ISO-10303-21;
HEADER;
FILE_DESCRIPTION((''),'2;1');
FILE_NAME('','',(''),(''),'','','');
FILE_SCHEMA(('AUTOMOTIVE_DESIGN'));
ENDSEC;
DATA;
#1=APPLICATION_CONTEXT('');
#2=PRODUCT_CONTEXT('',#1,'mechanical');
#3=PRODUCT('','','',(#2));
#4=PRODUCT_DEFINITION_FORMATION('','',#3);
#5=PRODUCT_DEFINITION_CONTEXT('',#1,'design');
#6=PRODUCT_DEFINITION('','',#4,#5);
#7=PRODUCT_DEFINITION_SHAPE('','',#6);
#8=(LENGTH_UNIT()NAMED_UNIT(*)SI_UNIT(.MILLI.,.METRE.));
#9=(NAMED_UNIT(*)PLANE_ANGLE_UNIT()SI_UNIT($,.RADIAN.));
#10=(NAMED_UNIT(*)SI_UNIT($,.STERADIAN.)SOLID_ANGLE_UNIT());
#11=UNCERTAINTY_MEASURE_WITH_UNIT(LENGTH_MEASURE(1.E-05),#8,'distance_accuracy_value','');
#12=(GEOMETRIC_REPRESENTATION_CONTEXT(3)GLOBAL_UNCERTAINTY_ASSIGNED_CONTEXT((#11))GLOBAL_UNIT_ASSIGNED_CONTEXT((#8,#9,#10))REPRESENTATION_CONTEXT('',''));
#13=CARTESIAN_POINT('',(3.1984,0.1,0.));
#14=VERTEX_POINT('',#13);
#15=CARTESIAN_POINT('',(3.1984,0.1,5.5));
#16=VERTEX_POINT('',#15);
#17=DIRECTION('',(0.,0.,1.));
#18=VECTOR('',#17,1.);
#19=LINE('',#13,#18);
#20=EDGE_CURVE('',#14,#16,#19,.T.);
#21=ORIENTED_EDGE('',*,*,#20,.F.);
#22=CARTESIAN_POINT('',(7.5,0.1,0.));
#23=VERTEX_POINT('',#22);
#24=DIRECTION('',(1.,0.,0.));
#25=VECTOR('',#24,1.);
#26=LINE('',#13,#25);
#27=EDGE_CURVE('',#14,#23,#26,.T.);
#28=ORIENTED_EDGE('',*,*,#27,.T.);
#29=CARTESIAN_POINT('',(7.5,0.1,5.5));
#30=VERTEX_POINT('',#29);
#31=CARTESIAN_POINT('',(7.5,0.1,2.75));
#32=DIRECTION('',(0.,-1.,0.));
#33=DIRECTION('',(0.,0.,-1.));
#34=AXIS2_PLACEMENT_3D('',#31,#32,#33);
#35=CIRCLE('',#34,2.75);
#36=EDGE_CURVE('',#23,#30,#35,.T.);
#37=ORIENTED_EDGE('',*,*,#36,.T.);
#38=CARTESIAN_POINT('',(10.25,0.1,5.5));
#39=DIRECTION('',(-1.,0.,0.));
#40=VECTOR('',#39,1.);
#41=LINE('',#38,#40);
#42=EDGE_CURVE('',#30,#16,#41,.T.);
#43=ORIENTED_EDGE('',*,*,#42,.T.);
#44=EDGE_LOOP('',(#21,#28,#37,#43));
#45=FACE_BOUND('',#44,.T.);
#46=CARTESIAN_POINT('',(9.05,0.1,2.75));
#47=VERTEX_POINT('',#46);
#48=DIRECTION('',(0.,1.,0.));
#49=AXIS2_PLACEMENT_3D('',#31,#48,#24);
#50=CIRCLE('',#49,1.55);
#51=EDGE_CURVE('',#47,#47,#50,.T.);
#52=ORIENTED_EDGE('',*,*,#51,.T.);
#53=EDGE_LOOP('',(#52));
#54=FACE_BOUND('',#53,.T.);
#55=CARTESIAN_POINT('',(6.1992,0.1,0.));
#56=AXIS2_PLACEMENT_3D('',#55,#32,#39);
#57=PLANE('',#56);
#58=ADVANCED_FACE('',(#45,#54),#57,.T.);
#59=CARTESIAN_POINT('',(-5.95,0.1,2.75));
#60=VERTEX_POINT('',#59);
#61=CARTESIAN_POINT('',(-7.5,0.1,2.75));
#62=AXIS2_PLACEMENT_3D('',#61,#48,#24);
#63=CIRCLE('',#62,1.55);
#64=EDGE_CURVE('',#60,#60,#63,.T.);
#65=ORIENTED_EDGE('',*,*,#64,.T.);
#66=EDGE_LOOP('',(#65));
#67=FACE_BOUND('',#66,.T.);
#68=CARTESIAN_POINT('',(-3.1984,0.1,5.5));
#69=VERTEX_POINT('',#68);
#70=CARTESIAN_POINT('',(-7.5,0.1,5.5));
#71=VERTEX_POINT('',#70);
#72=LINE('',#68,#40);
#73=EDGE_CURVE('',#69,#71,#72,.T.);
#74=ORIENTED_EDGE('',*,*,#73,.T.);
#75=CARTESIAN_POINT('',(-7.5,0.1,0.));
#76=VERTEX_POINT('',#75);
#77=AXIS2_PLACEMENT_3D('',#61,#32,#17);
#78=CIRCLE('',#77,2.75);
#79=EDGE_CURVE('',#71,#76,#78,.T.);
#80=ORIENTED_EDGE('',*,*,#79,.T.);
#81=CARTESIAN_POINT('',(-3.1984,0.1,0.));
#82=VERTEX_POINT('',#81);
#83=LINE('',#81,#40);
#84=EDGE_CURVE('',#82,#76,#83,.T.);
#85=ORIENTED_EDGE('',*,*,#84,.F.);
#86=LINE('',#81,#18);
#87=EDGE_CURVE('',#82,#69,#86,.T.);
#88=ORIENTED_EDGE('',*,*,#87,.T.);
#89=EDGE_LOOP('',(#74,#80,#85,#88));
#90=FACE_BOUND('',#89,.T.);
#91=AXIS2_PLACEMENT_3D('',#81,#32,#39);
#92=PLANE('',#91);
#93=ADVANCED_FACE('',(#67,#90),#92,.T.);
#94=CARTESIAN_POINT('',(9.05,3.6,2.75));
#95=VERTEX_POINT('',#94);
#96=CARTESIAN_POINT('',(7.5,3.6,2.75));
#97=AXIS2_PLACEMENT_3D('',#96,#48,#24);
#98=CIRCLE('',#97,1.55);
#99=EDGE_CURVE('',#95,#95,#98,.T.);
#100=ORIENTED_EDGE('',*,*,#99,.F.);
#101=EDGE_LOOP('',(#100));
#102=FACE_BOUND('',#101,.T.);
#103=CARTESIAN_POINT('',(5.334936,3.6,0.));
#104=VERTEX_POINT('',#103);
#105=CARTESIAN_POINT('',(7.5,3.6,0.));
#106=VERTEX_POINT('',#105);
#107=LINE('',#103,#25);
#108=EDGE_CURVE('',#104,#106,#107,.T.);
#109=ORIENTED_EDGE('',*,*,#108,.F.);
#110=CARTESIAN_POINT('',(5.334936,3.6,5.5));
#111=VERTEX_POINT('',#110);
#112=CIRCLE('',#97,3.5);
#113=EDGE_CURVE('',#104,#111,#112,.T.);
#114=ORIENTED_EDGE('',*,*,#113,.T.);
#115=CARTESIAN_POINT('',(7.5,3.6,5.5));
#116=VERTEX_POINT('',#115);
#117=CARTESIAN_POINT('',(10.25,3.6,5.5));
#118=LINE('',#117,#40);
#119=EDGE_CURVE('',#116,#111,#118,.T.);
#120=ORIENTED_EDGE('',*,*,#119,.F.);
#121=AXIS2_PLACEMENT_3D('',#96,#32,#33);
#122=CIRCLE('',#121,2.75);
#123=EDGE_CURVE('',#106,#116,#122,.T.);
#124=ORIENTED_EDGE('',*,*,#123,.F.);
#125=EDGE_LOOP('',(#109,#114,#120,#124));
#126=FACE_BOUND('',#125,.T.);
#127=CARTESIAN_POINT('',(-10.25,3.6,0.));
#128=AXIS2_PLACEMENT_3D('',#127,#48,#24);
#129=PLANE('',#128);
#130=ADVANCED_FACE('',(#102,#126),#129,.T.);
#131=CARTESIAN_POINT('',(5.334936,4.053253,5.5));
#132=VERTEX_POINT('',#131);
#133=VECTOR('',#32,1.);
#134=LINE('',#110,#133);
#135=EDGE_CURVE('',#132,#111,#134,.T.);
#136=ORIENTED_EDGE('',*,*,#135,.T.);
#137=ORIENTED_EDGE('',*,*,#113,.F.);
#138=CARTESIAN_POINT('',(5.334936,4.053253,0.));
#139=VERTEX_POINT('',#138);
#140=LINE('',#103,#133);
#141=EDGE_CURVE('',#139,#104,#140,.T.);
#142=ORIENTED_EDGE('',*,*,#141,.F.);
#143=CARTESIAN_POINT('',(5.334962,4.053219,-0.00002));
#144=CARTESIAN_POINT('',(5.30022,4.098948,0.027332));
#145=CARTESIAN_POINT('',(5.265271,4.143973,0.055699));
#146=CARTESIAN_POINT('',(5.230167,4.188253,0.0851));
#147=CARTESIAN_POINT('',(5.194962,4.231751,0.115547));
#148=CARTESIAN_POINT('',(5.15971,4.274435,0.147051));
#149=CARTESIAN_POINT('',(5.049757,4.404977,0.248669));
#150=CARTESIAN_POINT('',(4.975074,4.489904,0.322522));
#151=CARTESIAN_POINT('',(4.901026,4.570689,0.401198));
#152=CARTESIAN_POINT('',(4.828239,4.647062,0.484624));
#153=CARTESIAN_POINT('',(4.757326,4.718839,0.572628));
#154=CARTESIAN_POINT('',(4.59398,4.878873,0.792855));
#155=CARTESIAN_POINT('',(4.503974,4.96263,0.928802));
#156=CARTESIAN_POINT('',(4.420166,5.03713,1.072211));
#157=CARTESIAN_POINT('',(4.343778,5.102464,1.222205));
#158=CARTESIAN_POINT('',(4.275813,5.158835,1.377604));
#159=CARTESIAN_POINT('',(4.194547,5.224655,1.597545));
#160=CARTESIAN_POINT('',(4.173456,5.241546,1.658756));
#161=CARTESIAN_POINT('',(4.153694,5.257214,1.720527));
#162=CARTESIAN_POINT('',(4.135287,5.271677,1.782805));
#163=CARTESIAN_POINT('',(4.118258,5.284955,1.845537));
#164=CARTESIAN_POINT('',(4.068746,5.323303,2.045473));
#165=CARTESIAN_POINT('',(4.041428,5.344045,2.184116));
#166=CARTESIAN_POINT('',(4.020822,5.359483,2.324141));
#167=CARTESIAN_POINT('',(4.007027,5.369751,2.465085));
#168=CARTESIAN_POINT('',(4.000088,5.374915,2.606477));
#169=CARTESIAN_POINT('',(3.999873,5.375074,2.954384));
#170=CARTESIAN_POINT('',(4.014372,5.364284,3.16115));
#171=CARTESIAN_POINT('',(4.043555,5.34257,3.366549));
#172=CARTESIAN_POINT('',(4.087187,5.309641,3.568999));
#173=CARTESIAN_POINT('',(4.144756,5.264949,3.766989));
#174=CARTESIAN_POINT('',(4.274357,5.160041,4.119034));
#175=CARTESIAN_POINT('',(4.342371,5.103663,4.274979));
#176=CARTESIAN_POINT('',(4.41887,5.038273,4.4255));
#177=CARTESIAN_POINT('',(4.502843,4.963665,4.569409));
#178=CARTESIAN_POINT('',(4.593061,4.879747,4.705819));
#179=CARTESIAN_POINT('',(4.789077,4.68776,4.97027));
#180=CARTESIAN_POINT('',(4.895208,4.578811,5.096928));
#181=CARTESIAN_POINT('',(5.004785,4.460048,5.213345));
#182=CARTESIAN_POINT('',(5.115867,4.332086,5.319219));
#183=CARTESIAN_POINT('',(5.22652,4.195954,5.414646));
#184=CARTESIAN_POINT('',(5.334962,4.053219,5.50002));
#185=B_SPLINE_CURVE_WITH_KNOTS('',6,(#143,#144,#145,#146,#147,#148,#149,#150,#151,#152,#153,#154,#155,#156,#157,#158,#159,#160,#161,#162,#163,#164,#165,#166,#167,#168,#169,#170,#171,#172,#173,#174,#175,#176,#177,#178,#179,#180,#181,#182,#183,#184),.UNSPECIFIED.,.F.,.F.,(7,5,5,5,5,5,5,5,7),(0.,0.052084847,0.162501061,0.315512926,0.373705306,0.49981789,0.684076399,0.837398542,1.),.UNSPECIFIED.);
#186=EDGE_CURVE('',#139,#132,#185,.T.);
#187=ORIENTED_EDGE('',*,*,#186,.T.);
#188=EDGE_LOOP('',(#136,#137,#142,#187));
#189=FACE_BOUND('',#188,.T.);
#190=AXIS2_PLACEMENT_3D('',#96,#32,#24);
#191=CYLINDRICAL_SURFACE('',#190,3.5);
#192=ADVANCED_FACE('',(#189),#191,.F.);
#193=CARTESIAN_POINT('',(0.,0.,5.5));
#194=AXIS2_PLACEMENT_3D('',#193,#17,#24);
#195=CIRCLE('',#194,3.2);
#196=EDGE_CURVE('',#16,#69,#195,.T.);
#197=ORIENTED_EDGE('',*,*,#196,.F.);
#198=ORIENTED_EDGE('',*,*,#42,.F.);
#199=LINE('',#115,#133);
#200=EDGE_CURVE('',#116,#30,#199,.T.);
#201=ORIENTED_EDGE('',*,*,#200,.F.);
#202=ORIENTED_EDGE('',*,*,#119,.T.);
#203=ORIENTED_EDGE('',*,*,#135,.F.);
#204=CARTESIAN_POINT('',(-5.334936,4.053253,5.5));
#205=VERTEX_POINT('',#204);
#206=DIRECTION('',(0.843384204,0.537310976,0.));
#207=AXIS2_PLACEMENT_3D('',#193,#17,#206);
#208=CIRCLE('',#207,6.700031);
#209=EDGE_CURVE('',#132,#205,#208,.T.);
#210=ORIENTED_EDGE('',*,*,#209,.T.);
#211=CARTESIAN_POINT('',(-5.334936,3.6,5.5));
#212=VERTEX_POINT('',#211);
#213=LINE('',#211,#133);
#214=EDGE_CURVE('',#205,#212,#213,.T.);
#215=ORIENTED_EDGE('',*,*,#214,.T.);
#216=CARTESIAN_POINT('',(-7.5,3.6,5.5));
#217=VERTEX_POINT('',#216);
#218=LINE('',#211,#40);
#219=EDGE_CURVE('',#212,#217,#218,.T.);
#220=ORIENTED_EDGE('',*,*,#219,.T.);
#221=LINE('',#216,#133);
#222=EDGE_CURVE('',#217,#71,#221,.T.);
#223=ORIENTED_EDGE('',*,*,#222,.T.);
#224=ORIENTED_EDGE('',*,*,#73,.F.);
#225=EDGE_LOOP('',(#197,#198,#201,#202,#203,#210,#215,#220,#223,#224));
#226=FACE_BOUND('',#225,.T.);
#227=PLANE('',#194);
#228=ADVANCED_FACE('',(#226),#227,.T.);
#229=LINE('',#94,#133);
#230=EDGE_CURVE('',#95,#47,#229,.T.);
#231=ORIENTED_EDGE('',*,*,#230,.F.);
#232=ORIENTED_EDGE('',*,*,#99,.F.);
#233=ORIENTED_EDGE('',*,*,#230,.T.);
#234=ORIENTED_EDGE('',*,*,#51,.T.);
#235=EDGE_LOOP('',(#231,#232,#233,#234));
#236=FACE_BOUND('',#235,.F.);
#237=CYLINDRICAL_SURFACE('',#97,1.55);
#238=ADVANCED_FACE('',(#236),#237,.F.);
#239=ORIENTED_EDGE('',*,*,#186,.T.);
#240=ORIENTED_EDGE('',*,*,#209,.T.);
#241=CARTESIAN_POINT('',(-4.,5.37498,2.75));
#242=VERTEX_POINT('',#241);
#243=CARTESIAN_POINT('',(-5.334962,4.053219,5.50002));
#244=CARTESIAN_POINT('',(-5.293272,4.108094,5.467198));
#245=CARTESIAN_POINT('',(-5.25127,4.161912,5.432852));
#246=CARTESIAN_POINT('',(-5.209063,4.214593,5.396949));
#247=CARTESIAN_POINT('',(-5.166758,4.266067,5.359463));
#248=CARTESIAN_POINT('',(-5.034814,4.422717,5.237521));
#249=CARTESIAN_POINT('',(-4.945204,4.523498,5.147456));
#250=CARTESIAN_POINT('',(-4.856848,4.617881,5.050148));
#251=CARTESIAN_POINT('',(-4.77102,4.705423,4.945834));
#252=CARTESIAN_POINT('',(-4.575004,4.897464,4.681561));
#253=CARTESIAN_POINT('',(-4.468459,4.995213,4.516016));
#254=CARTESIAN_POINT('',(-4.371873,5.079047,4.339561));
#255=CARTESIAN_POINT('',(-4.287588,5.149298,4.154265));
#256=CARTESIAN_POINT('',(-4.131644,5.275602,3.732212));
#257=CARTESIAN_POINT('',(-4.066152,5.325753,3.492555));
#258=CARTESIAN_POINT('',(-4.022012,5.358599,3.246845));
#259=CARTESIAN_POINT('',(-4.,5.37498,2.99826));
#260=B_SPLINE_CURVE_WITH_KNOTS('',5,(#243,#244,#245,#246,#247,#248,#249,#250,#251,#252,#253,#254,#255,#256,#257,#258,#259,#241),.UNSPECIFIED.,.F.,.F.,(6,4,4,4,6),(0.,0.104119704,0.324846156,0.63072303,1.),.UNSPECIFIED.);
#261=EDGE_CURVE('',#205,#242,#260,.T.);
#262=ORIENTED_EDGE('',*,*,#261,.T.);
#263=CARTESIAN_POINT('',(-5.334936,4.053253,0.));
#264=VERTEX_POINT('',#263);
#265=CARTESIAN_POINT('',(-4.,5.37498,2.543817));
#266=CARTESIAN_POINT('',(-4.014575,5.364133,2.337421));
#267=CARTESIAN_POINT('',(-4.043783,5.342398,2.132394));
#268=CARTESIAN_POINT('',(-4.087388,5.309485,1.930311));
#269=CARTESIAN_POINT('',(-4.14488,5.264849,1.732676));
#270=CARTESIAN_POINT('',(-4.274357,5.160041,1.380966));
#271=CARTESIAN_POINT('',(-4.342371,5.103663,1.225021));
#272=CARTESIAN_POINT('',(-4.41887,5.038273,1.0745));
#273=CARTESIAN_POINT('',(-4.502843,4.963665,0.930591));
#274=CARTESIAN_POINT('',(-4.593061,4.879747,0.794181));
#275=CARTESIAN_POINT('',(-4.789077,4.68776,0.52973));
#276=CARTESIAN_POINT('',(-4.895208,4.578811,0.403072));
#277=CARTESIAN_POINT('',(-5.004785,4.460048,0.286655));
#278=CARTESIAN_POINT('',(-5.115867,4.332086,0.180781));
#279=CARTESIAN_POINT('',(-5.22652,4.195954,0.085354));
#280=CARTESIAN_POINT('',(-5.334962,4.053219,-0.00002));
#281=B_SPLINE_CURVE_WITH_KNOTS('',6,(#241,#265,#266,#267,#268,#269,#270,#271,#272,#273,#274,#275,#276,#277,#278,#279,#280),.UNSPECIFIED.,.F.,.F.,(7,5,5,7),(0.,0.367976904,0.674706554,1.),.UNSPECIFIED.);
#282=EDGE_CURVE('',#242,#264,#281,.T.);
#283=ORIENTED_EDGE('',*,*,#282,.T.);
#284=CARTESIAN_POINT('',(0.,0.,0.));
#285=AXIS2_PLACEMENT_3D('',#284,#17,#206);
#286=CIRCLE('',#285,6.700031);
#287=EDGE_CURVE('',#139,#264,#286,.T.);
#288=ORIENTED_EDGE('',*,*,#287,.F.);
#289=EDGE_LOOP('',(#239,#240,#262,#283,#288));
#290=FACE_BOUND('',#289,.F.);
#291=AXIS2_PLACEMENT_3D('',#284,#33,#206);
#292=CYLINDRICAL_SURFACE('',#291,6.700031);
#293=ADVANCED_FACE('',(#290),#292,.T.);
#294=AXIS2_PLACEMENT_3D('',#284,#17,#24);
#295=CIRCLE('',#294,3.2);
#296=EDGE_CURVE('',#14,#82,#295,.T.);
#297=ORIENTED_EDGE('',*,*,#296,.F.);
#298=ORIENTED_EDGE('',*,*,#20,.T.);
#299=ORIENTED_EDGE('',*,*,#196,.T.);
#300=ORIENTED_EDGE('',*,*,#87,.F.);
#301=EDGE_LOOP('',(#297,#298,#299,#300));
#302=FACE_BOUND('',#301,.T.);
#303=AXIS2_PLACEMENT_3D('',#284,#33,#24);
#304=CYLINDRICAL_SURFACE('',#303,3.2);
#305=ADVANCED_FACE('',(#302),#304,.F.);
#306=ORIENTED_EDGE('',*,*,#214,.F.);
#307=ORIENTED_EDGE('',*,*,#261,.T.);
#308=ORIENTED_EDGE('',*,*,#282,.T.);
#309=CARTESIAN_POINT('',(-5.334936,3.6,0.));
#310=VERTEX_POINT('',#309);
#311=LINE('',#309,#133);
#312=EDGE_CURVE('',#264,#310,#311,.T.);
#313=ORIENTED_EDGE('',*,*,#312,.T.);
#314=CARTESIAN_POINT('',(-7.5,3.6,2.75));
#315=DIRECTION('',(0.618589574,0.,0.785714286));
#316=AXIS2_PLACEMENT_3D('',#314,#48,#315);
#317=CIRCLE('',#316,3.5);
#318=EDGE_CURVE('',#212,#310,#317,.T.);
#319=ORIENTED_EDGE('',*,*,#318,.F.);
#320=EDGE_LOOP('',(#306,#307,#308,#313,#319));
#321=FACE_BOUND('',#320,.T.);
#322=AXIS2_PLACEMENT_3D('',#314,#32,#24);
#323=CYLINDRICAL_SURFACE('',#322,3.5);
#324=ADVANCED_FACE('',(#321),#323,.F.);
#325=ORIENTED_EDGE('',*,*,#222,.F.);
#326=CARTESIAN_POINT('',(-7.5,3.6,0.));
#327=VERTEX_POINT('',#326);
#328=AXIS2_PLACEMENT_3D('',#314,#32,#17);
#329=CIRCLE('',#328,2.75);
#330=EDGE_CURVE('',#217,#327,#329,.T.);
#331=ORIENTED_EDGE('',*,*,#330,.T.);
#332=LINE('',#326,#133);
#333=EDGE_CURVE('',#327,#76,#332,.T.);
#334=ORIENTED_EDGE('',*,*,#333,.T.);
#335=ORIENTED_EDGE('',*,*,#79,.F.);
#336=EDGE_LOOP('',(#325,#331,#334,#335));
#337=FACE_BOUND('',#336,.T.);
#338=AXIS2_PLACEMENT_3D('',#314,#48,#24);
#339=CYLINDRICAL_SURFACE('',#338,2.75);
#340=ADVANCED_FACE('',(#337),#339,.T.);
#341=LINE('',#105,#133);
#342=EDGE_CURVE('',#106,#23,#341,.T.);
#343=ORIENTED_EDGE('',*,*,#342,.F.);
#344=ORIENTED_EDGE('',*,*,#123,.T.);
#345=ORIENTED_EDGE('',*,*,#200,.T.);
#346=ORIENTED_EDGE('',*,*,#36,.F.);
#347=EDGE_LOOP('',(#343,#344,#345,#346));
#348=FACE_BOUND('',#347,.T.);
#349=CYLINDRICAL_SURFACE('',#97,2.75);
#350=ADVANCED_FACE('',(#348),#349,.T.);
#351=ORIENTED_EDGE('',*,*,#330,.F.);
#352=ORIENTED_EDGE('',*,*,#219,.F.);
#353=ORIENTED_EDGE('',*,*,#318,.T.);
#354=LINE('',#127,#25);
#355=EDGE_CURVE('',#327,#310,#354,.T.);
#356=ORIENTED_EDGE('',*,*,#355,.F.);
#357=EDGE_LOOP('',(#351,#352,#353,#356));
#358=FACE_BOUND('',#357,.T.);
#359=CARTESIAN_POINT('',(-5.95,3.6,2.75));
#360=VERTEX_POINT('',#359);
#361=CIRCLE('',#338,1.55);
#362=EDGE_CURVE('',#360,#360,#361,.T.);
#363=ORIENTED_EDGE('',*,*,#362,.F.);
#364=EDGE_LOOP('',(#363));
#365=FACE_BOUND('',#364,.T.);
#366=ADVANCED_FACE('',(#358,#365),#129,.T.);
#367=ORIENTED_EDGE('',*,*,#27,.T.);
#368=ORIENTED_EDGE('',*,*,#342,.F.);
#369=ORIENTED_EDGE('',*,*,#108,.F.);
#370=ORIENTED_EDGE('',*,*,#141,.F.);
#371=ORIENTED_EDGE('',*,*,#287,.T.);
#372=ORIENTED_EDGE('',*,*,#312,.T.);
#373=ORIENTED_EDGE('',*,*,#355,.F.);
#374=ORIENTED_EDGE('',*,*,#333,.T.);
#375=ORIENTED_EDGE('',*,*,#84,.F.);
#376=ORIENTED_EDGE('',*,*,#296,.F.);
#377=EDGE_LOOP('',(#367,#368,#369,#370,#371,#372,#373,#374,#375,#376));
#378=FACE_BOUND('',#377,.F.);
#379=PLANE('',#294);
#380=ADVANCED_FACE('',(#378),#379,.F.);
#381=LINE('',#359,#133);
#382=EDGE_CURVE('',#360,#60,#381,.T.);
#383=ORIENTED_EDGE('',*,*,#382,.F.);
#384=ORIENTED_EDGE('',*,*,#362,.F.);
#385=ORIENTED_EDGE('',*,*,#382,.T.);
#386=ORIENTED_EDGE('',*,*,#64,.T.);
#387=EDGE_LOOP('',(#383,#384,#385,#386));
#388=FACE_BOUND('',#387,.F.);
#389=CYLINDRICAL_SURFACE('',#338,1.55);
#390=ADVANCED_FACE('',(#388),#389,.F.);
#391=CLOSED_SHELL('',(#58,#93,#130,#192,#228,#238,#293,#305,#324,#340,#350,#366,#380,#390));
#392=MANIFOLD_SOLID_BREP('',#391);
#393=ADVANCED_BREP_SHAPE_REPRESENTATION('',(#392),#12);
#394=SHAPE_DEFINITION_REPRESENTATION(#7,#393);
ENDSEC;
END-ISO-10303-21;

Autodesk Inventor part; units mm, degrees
ref_plane "YZ Plane" through (0, 0, 0) normal (1, 0, 0) x (0, 1, 0)
ref_plane "XZ Plane" through (0, 0, 0) normal (0, 1, 0) x (-1, 0, 0)
ref_plane "XY Plane" through (0, 0, 0) normal (0, 0, 1) x (1, 0, 0)
sketch "Sketch1" plane through (0, 0, 0) normal (0, 0, 1) x (1, 0, 0)
  circle A0 centre (0, 0) radius 3.2
  line L0 (-3.1984, 0.1) -> (-10.25, 0.1)
  line L1 (-10.25, 0.1) -> (-10.25, 3.6)
  line L2 (-10.25, 3.6) -> (-5.6507, 3.6)
  arc A1 (5.6507, 3.6) -> (-5.6507, 3.6) centre (0, 0) ccw
  line L3 (5.6507, 3.6) -> (10.25, 3.6)
  line L4 (10.25, 3.6) -> (10.25, 2.7012)
  line L5 (10.25, 2.7012) -> (10.25, 0.1)
  line L6 (10.25, 0.1) -> (6.1992, 0.1)
  line L7 (6.1992, 0.1) -> (3.1984, 0.1)
  dimension "d0" = 6.4
  dimension "d1" = 0.1
  dimension "d2" = 3.5
  dimension "d3" = 3.5
  dimension "d4" = 10.25
  dimension "d5" = 10.25
extrude "Extrusion1" add sketch "Sketch1" along normal blind 5.5 contours A0 L0 L1 L2 A1 L3 L4 L5 L6 L7
sketch "Sketch2" plane through (-10.25, 3.6, 0) normal (0, 1, 0) x (1, 0, 0)
  circle A0 centre (2.75, -2.75) radius 3.5
  circle A1 centre (17.75, -2.75) radius 3.5
  line L0 (0, 0) -> (0, -5.5) projected
  line L1 (20.5, 0) -> (20.5, -5.5) projected
  point P0 (10.25, 0)
  point P1 (0, -2.75)
  dimension "d8" = 15
  dimension "d9" = 2.75
  dimension "d10" = 2.75
  dimension "d11" = 7
extrude "Extrusion2" cut sketch "Sketch2" along normal through all
sketch "Sketch3" plane through (-10.25, 3.6, 5.5) normal (0, 1, 0) x (1, 0, 0)
  arc A0 (4.9151, 0) -> (4.9151, 5.5) centre (2.75, 2.75) ccw projected
  circle A1 centre (2.75, 2.75) radius 1.55
  arc A2 (15.5849, 5.5) -> (15.5849, 0) centre (17.75, 2.75) ccw projected
  circle A3 centre (17.75, 2.75) radius 1.55
  line L0 (4.9151, 5.5) -> (15.5849, 5.5) projected
  line L1 (0, 5.5) -> (0, 0) projected
  line L2 (4.9151, 0) -> (0, 0) projected
  arc A4 (4.9151, 0) -> (4.9151, 5.5) centre (2.75, 2.75) ccw projected
  line L3 (4.9151, 5.5) -> (0, 5.5) projected
  line L4 (20.5, 5.5) -> (20.5, 0) projected
  line L5 (20.5, 5.5) -> (15.5849, 5.5) projected
  arc A5 (15.5849, 5.5) -> (15.5849, 0) centre (17.75, 2.75) ccw projected
  line L6 (20.5, 0) -> (15.5849, 0) projected
  circle A6 centre (17.75, 2.75) radius 2.75
  line L7 (20.5, 5.5) -> (15.5849, 5.5) projected
  circle A7 centre (2.75, 2.75) radius 2.75
  point P0 (10.25, 5.5)
  point P1 (15.5849, 0)
  point P2 (2.75, 0)
  point P3 (0, 2.75)
  point P4 (2.75, 5.5)
  point P5 (20.5, 2.75)
  point P6 (17.75, 0)
  point P7 (17.75, 5.5)
  dimension "d14" = 3.1
extrude "Extrusion3" cut sketch "Sketch3" against normal through all contours L2 L1 A7 | A7 L1 L3 | L5 L4 A6 | A6 L4 L6 | A1 | A3
equation "\"d3\" = d2"
equation "\"d5\" = d4"
equation "\"d9\" = d10"
properties part number "suction_clip_2_top"
